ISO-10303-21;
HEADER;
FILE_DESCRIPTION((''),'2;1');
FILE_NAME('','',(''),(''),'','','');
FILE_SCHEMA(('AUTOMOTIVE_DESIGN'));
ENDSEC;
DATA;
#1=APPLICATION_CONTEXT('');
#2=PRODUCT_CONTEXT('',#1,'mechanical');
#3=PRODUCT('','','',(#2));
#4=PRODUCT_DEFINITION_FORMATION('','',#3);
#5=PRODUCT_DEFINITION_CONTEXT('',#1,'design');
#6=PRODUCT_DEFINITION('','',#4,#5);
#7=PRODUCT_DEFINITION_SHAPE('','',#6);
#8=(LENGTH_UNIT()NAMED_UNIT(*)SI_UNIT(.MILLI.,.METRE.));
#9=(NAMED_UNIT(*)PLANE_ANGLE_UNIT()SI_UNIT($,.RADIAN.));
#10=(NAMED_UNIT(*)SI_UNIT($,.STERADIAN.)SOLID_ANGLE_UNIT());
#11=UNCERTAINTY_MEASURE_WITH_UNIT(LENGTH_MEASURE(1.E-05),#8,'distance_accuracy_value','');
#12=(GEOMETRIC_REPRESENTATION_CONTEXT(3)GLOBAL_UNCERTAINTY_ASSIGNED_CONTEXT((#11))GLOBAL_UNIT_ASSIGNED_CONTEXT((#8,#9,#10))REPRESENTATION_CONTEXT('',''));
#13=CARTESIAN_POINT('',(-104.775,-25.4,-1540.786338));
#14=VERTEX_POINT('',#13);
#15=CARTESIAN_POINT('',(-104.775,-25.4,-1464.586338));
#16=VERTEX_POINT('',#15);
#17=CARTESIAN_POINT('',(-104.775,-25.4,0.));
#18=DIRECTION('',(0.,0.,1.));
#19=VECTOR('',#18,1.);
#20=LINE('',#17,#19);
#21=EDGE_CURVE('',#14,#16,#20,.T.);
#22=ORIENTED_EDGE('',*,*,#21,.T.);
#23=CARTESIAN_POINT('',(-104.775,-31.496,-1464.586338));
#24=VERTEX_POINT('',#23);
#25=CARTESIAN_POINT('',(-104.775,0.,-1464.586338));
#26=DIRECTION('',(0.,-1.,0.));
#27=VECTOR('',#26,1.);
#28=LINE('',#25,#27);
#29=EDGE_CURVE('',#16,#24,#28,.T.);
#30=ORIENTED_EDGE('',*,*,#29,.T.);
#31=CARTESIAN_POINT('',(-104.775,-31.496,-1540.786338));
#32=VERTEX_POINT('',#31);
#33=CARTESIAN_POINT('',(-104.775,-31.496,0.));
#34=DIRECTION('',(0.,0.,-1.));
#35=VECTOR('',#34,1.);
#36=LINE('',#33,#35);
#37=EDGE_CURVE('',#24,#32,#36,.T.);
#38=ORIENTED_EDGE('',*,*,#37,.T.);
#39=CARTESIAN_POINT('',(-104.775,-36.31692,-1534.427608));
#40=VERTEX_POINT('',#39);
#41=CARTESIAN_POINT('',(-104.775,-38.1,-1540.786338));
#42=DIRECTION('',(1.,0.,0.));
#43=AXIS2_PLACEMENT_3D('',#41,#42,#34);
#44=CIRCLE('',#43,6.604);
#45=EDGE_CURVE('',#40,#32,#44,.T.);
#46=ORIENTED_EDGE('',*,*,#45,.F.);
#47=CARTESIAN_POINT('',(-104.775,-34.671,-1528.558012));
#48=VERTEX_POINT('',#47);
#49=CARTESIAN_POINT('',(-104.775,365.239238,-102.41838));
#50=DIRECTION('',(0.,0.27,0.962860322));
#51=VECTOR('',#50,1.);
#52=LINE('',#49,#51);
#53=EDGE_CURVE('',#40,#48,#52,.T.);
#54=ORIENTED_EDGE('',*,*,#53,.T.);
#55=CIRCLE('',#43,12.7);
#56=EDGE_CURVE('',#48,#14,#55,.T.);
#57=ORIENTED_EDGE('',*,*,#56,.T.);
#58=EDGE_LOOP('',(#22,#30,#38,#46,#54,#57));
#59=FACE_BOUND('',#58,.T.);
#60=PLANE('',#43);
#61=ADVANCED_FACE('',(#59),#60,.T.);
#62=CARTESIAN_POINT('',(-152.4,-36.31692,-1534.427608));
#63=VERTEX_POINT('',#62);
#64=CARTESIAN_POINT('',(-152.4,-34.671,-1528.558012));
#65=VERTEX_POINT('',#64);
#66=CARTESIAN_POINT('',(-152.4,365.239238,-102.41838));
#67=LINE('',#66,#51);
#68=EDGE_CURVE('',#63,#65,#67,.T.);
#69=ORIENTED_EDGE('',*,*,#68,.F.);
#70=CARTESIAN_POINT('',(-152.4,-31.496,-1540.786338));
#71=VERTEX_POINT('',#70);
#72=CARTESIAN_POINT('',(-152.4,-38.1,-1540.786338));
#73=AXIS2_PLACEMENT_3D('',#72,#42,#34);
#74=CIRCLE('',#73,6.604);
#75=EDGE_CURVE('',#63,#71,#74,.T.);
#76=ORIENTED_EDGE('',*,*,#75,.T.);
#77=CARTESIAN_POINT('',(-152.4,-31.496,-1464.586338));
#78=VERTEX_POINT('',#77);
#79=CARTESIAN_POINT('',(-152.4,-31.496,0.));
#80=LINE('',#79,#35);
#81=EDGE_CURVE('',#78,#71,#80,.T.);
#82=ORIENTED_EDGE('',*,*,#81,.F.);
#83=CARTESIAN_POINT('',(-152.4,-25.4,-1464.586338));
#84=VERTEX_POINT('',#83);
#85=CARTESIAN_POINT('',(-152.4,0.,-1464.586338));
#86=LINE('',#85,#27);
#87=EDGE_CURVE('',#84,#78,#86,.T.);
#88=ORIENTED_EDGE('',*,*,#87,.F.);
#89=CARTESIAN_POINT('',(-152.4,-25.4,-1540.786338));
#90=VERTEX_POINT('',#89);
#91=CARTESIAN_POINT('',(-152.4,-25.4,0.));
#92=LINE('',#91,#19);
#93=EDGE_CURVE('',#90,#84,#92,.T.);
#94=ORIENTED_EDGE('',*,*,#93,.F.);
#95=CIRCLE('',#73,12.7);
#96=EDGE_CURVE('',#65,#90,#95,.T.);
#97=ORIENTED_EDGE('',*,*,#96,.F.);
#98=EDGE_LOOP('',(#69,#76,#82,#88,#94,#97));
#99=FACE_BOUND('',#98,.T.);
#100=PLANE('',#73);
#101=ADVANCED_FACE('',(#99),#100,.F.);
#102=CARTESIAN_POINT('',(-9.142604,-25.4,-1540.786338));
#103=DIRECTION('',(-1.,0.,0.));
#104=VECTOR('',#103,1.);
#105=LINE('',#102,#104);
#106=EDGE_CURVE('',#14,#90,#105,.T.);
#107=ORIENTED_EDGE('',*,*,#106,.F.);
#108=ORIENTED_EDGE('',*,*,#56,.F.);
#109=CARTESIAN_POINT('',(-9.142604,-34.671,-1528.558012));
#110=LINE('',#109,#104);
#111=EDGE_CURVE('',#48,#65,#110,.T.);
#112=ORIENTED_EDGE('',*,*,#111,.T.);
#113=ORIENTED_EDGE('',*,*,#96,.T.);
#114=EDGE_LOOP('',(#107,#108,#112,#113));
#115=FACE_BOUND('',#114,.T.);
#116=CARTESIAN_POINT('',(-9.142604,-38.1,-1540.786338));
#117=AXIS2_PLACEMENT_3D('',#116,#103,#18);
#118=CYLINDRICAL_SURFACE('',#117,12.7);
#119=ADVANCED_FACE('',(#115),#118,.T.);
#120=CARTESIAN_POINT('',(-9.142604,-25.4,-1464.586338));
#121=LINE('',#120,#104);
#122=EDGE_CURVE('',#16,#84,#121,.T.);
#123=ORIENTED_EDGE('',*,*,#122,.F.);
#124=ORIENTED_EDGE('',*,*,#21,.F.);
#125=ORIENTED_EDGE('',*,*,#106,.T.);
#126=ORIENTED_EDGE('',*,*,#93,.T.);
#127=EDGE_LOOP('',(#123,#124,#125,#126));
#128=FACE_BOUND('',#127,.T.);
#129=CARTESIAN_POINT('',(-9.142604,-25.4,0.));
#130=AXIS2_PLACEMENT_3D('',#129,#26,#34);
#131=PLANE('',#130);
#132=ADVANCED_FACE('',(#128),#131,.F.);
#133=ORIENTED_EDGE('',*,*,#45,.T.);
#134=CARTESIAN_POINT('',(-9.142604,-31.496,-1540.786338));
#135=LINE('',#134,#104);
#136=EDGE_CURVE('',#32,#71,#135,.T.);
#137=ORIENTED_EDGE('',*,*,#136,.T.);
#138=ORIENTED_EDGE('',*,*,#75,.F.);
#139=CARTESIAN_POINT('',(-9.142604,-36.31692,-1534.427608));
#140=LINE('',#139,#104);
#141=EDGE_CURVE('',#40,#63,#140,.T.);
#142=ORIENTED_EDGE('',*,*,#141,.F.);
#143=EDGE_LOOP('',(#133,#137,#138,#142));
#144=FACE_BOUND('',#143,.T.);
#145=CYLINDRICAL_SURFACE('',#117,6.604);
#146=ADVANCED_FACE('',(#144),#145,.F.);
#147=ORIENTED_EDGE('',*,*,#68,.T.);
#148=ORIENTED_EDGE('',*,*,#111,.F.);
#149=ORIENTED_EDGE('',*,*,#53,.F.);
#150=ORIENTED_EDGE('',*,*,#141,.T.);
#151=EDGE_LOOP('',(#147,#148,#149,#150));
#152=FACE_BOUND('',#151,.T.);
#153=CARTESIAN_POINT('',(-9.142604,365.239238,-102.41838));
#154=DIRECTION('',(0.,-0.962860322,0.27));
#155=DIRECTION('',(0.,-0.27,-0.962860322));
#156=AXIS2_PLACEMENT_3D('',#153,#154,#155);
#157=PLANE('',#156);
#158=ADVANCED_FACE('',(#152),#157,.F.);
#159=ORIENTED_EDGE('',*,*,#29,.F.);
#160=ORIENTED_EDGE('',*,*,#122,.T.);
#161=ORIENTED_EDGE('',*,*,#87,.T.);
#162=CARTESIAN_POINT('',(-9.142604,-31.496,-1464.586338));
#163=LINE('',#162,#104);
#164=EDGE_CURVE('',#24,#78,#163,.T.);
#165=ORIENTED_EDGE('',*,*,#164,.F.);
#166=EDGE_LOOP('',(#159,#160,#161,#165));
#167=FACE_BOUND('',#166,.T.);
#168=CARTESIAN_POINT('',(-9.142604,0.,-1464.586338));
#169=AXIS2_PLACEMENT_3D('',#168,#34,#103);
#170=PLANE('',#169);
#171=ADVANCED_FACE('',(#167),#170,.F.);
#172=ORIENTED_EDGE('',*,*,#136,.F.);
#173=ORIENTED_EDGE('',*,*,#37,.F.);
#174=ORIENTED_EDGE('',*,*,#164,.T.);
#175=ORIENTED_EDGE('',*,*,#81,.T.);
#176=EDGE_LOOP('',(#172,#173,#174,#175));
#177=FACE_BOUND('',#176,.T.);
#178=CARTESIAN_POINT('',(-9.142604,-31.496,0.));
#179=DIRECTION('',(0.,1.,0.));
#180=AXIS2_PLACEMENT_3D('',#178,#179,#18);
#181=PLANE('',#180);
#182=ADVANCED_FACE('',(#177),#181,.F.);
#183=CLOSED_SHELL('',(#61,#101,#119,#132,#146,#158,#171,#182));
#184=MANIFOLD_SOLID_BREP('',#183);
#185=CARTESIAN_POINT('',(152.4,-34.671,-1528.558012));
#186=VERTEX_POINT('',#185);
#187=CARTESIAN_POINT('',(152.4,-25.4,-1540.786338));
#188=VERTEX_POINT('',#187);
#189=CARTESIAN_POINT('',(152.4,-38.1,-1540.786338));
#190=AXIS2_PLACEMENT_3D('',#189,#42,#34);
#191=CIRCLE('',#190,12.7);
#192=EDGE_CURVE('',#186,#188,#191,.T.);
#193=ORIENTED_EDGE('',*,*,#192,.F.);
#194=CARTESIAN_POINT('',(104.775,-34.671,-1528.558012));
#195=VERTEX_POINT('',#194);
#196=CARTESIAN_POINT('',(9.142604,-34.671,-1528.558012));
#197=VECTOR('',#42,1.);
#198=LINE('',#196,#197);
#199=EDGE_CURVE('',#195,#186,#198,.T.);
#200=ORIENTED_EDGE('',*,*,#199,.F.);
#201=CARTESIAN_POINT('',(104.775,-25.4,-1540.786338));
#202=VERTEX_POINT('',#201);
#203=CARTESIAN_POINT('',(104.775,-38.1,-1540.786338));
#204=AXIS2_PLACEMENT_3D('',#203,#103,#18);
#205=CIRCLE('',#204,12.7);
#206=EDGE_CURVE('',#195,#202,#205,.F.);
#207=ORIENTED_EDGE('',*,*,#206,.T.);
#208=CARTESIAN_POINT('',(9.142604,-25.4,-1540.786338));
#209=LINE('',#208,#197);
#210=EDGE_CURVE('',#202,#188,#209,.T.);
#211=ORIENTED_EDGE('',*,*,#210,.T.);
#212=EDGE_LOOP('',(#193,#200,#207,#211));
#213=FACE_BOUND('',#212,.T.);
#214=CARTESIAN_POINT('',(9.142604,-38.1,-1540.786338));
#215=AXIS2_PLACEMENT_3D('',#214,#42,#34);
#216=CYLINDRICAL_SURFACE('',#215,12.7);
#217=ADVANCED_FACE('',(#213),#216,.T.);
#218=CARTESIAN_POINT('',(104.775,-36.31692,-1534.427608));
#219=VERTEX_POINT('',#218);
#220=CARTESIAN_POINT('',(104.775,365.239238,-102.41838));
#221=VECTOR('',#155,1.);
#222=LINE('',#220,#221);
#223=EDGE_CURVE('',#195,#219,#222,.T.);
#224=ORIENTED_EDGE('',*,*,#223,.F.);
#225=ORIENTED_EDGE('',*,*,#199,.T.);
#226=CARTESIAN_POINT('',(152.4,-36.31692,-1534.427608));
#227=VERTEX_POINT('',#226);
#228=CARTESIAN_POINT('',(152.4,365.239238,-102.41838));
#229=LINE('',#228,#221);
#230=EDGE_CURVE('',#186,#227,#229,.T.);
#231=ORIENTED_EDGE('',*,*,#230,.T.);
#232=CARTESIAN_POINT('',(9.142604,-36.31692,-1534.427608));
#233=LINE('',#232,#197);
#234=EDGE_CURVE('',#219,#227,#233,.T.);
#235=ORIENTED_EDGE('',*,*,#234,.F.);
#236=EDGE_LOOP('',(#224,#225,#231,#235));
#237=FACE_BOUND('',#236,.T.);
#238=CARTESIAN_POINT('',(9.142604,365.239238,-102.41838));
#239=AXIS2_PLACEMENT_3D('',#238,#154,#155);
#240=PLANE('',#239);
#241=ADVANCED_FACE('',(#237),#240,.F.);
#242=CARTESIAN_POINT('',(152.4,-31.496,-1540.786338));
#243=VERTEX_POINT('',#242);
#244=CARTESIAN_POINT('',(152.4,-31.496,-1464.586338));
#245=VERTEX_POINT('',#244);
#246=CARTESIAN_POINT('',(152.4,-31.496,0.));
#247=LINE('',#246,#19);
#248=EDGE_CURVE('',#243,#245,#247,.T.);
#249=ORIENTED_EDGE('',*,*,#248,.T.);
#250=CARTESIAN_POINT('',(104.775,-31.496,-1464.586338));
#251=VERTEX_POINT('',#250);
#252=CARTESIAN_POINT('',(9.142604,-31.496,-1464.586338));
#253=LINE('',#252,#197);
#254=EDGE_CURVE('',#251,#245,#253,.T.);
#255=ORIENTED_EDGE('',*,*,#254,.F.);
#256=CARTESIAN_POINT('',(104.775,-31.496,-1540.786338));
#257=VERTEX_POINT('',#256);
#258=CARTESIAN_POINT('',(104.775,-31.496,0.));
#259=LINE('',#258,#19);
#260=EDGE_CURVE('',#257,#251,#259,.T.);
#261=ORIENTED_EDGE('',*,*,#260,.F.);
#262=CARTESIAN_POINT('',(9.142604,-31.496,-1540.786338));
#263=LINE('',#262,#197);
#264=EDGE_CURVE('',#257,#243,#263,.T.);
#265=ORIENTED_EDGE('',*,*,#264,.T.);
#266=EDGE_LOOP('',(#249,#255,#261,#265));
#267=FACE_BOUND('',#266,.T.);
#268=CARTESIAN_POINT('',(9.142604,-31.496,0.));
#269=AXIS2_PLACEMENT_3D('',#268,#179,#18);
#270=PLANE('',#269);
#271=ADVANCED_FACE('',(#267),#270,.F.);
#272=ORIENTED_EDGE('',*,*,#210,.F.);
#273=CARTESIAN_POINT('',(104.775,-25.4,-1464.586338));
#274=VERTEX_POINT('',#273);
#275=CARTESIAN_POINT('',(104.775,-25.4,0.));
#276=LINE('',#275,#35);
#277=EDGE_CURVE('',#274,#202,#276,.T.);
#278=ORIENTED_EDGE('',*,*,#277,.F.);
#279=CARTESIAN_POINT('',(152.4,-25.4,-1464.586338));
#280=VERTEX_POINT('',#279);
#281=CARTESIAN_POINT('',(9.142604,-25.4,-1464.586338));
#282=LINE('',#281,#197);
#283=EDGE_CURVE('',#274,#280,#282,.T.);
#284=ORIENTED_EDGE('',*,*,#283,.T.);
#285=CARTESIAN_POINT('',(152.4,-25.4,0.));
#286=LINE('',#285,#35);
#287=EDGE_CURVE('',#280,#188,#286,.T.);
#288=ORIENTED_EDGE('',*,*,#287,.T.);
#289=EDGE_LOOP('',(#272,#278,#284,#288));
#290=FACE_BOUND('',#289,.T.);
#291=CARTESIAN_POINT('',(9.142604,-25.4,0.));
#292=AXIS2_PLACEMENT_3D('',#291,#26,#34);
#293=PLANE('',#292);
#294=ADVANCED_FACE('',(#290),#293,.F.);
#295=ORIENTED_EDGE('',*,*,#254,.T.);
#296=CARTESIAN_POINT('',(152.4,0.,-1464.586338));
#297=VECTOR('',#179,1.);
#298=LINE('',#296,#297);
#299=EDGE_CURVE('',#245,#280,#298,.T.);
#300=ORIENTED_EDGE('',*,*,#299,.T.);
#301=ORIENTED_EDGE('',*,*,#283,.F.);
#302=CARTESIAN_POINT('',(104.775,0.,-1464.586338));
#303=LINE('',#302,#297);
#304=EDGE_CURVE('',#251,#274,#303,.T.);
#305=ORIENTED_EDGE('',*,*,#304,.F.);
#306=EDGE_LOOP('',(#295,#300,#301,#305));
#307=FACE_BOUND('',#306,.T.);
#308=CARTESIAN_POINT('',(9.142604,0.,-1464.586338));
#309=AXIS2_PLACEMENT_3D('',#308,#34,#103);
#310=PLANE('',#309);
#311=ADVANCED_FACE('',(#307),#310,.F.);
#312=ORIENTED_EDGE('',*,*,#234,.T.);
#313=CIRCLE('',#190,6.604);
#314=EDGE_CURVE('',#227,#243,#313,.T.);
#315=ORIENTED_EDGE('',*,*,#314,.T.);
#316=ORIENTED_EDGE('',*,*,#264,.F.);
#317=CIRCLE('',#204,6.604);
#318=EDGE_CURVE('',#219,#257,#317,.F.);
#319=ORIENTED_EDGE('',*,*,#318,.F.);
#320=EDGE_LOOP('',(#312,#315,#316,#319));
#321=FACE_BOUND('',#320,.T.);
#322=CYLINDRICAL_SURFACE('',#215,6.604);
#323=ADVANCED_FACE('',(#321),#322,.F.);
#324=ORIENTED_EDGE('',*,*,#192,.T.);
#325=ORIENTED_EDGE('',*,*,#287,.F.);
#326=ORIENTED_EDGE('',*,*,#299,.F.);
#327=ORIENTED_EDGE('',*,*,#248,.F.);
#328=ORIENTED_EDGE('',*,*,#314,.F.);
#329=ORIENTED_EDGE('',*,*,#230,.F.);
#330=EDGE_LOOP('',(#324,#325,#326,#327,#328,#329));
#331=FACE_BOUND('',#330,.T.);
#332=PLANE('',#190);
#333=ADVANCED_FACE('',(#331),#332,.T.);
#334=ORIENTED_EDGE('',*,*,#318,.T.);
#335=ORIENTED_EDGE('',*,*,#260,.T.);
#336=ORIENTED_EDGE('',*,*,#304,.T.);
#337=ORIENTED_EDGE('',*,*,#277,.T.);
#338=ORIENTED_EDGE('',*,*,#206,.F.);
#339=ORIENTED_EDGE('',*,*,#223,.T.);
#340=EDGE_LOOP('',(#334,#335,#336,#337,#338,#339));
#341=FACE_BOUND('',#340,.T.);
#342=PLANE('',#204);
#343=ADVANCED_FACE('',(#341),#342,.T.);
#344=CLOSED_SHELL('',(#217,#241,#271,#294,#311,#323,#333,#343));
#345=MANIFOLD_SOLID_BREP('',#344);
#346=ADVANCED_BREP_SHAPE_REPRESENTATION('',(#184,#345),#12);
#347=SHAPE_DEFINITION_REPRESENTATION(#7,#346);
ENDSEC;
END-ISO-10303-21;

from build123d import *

# Parameters (mm, degrees)
BOSS_EXTRUDE1_START = 104.775
BOSS_EXTRUDE1_DEPTH = 47.625
BOSS_EXTRUDE2_START = -152.4
BOSS_EXTRUDE2_DEPTH = 47.625


with BuildPart() as part:
    # Sketch1 → Boss-Extrude1 (new body)
    with BuildSketch(Plane(origin=(0, 0, 0), x_dir=(0, 0, -1), z_dir=(1, 0, 0)).offset(BOSS_EXTRUDE1_START)):
        with BuildLine():
            Line((1540.78633762, -31.496), (1464.58633762, -31.496))
            Line((1464.58633762, -31.496), (1464.58633762, -25.4))
            Line((1464.58633762, -25.4), (1540.78633762, -25.4))
            ThreePointArc((1540.78633762, -25.4), (1548.459071813, -48.220234681), (1528.558011528, -34.671))
            Line((1528.558011528, -34.671), (1534.427608052, -36.31692))
            ThreePointArc((1534.427608052, -36.31692), (1544.7761594, -43.362522034), (1540.78633762, -31.496))
        make_face()
    extrude(amount=BOSS_EXTRUDE1_DEPTH)


with BuildPart() as body_2:
    # Sketch1<2> → Boss-Extrude2 (new body)
    with BuildSketch(Plane(origin=(0, 0, 0), x_dir=(0, 0, -1), z_dir=(1, 0, 0)).offset(BOSS_EXTRUDE2_START)):
        with BuildLine():
            Line((1540.78633762, -31.496), (1464.58633762, -31.496))
            Line((1464.58633762, -31.496), (1464.58633762, -25.4))
            Line((1464.58633762, -25.4), (1540.78633762, -25.4))
            ThreePointArc((1540.78633762, -25.4), (1548.459071813, -48.220234681), (1528.558011528, -34.671))
            Line((1528.558011528, -34.671), (1534.427608052, -36.31692))
            ThreePointArc((1534.427608052, -36.31692), (1544.7761594, -43.362522034), (1540.78633762, -31.496))
        make_face()
    extrude(amount=BOSS_EXTRUDE2_DEPTH)


solid = Compound([part.part, body_2.part])
